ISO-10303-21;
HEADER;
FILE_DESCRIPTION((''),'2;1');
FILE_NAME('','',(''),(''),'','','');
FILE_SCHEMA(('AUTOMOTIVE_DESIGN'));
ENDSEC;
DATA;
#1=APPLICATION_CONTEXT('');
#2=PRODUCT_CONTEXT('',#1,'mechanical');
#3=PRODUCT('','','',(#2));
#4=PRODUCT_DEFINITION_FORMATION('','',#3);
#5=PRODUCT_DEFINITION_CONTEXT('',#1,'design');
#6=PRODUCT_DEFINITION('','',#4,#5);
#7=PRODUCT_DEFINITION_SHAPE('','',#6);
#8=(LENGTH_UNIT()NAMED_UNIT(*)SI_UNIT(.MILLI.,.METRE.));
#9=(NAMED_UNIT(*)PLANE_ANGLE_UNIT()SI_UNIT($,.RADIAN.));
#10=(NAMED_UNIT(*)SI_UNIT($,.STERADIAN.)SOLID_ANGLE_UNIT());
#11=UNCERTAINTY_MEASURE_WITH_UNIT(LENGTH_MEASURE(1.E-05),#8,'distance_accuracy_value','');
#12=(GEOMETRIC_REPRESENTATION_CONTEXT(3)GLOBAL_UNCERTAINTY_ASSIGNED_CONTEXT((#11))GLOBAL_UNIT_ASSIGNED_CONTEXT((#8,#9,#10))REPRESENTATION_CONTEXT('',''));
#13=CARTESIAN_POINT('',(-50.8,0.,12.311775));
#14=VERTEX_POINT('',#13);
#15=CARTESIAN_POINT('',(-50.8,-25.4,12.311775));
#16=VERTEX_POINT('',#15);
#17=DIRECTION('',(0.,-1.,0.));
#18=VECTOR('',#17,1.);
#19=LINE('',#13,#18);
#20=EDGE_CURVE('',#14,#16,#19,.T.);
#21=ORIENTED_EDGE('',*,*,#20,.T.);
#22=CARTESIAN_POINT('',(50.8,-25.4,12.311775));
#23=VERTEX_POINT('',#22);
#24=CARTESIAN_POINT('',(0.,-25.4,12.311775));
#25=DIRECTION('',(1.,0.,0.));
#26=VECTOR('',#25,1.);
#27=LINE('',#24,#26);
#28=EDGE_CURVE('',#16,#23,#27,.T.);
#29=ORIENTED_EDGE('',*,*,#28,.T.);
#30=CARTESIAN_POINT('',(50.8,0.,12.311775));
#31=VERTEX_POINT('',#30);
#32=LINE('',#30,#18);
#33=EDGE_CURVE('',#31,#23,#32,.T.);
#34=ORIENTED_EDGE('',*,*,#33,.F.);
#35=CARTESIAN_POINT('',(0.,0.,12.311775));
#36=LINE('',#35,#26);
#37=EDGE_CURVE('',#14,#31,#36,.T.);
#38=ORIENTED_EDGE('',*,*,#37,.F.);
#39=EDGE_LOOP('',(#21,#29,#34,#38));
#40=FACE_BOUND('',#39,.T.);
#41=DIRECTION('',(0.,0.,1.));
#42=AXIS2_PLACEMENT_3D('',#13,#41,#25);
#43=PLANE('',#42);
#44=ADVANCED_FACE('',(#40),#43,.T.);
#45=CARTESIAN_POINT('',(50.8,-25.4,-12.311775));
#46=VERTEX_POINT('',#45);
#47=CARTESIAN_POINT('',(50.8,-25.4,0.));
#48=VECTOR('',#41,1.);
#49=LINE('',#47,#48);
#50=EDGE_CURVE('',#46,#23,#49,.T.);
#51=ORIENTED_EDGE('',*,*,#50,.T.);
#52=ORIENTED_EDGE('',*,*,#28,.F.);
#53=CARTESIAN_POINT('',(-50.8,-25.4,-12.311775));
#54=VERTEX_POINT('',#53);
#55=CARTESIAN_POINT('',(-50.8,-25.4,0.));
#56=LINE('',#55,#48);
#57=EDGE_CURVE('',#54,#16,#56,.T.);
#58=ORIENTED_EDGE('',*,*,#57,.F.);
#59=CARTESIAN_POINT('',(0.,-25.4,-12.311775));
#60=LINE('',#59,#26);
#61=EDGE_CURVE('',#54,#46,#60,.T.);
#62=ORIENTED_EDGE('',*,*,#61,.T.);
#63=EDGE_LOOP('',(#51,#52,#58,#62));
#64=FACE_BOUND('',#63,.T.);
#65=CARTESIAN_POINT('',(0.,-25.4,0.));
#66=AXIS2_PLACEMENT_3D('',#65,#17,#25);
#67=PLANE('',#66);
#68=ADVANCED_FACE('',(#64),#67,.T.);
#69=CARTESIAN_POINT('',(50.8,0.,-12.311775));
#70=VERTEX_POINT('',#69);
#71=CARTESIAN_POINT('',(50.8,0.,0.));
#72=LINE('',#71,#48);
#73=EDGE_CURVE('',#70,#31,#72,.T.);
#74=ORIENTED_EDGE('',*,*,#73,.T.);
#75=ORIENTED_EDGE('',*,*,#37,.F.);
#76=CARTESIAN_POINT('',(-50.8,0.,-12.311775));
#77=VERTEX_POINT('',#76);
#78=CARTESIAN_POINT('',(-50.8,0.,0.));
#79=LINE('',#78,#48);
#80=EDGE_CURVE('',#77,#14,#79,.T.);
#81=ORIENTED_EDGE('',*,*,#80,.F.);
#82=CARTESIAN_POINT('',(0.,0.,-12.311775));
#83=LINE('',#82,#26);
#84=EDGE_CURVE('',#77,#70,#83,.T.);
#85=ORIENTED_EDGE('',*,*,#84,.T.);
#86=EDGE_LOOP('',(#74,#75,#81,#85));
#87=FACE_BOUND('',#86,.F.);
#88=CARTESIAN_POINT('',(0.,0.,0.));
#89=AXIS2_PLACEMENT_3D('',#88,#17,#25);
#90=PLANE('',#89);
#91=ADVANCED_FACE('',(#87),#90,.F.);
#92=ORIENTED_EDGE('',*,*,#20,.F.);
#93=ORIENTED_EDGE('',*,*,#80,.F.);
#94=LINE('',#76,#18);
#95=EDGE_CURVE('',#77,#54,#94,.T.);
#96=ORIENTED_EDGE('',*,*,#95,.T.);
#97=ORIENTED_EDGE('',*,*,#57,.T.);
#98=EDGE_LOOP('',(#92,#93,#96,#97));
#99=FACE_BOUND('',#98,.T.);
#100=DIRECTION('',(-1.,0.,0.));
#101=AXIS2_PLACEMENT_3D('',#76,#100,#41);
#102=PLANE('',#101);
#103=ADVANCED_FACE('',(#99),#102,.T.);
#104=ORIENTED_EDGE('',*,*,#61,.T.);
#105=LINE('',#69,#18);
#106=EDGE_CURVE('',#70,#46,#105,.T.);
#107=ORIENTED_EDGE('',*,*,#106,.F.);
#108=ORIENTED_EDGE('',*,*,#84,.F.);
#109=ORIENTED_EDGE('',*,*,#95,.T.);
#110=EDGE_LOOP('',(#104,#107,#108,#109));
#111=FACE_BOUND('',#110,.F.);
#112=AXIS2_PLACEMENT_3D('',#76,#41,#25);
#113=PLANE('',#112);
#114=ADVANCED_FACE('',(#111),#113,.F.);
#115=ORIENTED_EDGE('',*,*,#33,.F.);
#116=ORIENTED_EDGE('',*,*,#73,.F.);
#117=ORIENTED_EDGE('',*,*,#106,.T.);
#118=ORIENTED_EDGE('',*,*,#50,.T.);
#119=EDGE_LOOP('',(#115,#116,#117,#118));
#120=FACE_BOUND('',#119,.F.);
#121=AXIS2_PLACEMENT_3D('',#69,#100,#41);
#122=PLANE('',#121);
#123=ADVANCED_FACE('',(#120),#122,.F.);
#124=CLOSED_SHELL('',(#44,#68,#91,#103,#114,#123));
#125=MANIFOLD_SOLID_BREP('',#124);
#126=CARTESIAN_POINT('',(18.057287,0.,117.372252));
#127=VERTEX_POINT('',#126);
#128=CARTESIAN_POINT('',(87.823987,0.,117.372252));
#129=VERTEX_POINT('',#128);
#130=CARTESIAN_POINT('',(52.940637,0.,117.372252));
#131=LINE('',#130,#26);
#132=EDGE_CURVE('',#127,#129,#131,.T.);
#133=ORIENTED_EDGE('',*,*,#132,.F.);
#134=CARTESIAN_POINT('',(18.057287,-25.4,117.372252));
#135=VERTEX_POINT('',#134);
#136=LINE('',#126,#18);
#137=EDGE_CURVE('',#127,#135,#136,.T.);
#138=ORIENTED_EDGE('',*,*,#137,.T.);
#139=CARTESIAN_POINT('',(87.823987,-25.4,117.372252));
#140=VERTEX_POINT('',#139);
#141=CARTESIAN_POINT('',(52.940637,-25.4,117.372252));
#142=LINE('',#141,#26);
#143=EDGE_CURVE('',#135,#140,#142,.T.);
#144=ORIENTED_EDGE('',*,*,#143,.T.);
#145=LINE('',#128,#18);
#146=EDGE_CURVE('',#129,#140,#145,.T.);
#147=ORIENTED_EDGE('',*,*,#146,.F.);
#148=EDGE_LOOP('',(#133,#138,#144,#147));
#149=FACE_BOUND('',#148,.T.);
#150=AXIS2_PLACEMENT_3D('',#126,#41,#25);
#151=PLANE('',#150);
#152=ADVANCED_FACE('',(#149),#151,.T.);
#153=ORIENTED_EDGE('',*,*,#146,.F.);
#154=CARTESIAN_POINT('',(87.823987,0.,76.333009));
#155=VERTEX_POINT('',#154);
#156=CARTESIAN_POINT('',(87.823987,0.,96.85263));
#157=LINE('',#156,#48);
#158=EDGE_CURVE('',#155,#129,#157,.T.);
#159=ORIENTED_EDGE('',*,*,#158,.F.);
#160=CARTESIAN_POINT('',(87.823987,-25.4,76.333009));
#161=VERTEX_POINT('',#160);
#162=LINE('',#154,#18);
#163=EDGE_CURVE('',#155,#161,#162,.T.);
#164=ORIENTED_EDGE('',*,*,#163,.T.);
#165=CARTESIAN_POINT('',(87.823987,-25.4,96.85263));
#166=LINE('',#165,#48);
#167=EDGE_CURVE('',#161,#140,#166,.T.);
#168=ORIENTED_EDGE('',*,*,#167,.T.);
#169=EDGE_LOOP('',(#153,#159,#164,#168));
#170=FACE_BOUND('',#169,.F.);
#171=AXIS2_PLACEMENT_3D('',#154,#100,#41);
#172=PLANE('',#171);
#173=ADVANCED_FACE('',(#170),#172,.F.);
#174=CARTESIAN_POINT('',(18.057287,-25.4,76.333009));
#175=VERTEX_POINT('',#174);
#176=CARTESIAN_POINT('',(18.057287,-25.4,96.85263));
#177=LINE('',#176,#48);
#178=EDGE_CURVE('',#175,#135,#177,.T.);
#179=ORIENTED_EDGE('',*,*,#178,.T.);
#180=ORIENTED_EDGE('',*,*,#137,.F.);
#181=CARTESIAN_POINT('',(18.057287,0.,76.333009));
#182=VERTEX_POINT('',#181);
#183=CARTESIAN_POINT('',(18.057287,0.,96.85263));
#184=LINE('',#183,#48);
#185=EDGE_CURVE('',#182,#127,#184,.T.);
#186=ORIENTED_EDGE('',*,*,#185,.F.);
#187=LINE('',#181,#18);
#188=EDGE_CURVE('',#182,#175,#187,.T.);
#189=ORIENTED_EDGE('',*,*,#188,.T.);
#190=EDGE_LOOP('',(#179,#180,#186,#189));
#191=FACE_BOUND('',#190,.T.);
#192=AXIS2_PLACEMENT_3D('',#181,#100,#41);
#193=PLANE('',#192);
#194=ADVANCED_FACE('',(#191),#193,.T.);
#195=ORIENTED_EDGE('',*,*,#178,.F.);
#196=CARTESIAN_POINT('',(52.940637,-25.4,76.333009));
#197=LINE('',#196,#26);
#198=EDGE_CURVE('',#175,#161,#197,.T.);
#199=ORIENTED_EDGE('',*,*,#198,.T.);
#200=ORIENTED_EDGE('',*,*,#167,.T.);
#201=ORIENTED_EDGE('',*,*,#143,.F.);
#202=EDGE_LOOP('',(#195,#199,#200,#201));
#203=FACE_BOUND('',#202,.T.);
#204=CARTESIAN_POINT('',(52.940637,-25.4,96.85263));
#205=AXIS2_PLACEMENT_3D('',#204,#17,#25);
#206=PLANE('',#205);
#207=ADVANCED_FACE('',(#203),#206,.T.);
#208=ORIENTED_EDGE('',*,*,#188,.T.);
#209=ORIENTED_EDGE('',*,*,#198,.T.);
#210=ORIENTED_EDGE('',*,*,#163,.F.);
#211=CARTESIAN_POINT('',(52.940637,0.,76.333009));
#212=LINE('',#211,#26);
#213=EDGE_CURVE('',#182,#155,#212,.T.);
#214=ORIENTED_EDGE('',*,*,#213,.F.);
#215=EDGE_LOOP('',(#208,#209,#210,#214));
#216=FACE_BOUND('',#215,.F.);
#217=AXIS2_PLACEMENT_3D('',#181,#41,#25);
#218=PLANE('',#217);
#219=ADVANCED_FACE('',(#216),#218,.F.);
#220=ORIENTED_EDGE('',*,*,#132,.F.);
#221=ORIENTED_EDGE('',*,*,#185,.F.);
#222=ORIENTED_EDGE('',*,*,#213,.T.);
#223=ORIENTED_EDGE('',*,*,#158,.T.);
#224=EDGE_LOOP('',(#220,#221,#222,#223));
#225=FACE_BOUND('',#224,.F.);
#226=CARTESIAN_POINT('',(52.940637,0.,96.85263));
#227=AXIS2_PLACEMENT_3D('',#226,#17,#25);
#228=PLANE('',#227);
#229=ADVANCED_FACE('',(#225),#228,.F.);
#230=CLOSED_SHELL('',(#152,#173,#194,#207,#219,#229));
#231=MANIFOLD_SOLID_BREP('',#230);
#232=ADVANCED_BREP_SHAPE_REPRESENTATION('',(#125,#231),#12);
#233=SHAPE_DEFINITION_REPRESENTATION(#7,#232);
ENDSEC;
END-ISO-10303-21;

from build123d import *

# Parameters (mm, degrees)
F0_W     = 69.7667
F0_H     = 41.039243
F0_W_2   = 101.6
F0_H_2   = 24.62355
F1_DEPTH = 25.4


with BuildPart() as f1:
    # F0 (on Front) → F1 (new body)
    with BuildSketch(Plane.XZ):
        with Locations((52.940637, 96.85263)):
            Rectangle(F0_W, F0_H)
        Rectangle(F0_W_2, F0_H_2)
    extrude(amount=F1_DEPTH)


solid = f1.part
